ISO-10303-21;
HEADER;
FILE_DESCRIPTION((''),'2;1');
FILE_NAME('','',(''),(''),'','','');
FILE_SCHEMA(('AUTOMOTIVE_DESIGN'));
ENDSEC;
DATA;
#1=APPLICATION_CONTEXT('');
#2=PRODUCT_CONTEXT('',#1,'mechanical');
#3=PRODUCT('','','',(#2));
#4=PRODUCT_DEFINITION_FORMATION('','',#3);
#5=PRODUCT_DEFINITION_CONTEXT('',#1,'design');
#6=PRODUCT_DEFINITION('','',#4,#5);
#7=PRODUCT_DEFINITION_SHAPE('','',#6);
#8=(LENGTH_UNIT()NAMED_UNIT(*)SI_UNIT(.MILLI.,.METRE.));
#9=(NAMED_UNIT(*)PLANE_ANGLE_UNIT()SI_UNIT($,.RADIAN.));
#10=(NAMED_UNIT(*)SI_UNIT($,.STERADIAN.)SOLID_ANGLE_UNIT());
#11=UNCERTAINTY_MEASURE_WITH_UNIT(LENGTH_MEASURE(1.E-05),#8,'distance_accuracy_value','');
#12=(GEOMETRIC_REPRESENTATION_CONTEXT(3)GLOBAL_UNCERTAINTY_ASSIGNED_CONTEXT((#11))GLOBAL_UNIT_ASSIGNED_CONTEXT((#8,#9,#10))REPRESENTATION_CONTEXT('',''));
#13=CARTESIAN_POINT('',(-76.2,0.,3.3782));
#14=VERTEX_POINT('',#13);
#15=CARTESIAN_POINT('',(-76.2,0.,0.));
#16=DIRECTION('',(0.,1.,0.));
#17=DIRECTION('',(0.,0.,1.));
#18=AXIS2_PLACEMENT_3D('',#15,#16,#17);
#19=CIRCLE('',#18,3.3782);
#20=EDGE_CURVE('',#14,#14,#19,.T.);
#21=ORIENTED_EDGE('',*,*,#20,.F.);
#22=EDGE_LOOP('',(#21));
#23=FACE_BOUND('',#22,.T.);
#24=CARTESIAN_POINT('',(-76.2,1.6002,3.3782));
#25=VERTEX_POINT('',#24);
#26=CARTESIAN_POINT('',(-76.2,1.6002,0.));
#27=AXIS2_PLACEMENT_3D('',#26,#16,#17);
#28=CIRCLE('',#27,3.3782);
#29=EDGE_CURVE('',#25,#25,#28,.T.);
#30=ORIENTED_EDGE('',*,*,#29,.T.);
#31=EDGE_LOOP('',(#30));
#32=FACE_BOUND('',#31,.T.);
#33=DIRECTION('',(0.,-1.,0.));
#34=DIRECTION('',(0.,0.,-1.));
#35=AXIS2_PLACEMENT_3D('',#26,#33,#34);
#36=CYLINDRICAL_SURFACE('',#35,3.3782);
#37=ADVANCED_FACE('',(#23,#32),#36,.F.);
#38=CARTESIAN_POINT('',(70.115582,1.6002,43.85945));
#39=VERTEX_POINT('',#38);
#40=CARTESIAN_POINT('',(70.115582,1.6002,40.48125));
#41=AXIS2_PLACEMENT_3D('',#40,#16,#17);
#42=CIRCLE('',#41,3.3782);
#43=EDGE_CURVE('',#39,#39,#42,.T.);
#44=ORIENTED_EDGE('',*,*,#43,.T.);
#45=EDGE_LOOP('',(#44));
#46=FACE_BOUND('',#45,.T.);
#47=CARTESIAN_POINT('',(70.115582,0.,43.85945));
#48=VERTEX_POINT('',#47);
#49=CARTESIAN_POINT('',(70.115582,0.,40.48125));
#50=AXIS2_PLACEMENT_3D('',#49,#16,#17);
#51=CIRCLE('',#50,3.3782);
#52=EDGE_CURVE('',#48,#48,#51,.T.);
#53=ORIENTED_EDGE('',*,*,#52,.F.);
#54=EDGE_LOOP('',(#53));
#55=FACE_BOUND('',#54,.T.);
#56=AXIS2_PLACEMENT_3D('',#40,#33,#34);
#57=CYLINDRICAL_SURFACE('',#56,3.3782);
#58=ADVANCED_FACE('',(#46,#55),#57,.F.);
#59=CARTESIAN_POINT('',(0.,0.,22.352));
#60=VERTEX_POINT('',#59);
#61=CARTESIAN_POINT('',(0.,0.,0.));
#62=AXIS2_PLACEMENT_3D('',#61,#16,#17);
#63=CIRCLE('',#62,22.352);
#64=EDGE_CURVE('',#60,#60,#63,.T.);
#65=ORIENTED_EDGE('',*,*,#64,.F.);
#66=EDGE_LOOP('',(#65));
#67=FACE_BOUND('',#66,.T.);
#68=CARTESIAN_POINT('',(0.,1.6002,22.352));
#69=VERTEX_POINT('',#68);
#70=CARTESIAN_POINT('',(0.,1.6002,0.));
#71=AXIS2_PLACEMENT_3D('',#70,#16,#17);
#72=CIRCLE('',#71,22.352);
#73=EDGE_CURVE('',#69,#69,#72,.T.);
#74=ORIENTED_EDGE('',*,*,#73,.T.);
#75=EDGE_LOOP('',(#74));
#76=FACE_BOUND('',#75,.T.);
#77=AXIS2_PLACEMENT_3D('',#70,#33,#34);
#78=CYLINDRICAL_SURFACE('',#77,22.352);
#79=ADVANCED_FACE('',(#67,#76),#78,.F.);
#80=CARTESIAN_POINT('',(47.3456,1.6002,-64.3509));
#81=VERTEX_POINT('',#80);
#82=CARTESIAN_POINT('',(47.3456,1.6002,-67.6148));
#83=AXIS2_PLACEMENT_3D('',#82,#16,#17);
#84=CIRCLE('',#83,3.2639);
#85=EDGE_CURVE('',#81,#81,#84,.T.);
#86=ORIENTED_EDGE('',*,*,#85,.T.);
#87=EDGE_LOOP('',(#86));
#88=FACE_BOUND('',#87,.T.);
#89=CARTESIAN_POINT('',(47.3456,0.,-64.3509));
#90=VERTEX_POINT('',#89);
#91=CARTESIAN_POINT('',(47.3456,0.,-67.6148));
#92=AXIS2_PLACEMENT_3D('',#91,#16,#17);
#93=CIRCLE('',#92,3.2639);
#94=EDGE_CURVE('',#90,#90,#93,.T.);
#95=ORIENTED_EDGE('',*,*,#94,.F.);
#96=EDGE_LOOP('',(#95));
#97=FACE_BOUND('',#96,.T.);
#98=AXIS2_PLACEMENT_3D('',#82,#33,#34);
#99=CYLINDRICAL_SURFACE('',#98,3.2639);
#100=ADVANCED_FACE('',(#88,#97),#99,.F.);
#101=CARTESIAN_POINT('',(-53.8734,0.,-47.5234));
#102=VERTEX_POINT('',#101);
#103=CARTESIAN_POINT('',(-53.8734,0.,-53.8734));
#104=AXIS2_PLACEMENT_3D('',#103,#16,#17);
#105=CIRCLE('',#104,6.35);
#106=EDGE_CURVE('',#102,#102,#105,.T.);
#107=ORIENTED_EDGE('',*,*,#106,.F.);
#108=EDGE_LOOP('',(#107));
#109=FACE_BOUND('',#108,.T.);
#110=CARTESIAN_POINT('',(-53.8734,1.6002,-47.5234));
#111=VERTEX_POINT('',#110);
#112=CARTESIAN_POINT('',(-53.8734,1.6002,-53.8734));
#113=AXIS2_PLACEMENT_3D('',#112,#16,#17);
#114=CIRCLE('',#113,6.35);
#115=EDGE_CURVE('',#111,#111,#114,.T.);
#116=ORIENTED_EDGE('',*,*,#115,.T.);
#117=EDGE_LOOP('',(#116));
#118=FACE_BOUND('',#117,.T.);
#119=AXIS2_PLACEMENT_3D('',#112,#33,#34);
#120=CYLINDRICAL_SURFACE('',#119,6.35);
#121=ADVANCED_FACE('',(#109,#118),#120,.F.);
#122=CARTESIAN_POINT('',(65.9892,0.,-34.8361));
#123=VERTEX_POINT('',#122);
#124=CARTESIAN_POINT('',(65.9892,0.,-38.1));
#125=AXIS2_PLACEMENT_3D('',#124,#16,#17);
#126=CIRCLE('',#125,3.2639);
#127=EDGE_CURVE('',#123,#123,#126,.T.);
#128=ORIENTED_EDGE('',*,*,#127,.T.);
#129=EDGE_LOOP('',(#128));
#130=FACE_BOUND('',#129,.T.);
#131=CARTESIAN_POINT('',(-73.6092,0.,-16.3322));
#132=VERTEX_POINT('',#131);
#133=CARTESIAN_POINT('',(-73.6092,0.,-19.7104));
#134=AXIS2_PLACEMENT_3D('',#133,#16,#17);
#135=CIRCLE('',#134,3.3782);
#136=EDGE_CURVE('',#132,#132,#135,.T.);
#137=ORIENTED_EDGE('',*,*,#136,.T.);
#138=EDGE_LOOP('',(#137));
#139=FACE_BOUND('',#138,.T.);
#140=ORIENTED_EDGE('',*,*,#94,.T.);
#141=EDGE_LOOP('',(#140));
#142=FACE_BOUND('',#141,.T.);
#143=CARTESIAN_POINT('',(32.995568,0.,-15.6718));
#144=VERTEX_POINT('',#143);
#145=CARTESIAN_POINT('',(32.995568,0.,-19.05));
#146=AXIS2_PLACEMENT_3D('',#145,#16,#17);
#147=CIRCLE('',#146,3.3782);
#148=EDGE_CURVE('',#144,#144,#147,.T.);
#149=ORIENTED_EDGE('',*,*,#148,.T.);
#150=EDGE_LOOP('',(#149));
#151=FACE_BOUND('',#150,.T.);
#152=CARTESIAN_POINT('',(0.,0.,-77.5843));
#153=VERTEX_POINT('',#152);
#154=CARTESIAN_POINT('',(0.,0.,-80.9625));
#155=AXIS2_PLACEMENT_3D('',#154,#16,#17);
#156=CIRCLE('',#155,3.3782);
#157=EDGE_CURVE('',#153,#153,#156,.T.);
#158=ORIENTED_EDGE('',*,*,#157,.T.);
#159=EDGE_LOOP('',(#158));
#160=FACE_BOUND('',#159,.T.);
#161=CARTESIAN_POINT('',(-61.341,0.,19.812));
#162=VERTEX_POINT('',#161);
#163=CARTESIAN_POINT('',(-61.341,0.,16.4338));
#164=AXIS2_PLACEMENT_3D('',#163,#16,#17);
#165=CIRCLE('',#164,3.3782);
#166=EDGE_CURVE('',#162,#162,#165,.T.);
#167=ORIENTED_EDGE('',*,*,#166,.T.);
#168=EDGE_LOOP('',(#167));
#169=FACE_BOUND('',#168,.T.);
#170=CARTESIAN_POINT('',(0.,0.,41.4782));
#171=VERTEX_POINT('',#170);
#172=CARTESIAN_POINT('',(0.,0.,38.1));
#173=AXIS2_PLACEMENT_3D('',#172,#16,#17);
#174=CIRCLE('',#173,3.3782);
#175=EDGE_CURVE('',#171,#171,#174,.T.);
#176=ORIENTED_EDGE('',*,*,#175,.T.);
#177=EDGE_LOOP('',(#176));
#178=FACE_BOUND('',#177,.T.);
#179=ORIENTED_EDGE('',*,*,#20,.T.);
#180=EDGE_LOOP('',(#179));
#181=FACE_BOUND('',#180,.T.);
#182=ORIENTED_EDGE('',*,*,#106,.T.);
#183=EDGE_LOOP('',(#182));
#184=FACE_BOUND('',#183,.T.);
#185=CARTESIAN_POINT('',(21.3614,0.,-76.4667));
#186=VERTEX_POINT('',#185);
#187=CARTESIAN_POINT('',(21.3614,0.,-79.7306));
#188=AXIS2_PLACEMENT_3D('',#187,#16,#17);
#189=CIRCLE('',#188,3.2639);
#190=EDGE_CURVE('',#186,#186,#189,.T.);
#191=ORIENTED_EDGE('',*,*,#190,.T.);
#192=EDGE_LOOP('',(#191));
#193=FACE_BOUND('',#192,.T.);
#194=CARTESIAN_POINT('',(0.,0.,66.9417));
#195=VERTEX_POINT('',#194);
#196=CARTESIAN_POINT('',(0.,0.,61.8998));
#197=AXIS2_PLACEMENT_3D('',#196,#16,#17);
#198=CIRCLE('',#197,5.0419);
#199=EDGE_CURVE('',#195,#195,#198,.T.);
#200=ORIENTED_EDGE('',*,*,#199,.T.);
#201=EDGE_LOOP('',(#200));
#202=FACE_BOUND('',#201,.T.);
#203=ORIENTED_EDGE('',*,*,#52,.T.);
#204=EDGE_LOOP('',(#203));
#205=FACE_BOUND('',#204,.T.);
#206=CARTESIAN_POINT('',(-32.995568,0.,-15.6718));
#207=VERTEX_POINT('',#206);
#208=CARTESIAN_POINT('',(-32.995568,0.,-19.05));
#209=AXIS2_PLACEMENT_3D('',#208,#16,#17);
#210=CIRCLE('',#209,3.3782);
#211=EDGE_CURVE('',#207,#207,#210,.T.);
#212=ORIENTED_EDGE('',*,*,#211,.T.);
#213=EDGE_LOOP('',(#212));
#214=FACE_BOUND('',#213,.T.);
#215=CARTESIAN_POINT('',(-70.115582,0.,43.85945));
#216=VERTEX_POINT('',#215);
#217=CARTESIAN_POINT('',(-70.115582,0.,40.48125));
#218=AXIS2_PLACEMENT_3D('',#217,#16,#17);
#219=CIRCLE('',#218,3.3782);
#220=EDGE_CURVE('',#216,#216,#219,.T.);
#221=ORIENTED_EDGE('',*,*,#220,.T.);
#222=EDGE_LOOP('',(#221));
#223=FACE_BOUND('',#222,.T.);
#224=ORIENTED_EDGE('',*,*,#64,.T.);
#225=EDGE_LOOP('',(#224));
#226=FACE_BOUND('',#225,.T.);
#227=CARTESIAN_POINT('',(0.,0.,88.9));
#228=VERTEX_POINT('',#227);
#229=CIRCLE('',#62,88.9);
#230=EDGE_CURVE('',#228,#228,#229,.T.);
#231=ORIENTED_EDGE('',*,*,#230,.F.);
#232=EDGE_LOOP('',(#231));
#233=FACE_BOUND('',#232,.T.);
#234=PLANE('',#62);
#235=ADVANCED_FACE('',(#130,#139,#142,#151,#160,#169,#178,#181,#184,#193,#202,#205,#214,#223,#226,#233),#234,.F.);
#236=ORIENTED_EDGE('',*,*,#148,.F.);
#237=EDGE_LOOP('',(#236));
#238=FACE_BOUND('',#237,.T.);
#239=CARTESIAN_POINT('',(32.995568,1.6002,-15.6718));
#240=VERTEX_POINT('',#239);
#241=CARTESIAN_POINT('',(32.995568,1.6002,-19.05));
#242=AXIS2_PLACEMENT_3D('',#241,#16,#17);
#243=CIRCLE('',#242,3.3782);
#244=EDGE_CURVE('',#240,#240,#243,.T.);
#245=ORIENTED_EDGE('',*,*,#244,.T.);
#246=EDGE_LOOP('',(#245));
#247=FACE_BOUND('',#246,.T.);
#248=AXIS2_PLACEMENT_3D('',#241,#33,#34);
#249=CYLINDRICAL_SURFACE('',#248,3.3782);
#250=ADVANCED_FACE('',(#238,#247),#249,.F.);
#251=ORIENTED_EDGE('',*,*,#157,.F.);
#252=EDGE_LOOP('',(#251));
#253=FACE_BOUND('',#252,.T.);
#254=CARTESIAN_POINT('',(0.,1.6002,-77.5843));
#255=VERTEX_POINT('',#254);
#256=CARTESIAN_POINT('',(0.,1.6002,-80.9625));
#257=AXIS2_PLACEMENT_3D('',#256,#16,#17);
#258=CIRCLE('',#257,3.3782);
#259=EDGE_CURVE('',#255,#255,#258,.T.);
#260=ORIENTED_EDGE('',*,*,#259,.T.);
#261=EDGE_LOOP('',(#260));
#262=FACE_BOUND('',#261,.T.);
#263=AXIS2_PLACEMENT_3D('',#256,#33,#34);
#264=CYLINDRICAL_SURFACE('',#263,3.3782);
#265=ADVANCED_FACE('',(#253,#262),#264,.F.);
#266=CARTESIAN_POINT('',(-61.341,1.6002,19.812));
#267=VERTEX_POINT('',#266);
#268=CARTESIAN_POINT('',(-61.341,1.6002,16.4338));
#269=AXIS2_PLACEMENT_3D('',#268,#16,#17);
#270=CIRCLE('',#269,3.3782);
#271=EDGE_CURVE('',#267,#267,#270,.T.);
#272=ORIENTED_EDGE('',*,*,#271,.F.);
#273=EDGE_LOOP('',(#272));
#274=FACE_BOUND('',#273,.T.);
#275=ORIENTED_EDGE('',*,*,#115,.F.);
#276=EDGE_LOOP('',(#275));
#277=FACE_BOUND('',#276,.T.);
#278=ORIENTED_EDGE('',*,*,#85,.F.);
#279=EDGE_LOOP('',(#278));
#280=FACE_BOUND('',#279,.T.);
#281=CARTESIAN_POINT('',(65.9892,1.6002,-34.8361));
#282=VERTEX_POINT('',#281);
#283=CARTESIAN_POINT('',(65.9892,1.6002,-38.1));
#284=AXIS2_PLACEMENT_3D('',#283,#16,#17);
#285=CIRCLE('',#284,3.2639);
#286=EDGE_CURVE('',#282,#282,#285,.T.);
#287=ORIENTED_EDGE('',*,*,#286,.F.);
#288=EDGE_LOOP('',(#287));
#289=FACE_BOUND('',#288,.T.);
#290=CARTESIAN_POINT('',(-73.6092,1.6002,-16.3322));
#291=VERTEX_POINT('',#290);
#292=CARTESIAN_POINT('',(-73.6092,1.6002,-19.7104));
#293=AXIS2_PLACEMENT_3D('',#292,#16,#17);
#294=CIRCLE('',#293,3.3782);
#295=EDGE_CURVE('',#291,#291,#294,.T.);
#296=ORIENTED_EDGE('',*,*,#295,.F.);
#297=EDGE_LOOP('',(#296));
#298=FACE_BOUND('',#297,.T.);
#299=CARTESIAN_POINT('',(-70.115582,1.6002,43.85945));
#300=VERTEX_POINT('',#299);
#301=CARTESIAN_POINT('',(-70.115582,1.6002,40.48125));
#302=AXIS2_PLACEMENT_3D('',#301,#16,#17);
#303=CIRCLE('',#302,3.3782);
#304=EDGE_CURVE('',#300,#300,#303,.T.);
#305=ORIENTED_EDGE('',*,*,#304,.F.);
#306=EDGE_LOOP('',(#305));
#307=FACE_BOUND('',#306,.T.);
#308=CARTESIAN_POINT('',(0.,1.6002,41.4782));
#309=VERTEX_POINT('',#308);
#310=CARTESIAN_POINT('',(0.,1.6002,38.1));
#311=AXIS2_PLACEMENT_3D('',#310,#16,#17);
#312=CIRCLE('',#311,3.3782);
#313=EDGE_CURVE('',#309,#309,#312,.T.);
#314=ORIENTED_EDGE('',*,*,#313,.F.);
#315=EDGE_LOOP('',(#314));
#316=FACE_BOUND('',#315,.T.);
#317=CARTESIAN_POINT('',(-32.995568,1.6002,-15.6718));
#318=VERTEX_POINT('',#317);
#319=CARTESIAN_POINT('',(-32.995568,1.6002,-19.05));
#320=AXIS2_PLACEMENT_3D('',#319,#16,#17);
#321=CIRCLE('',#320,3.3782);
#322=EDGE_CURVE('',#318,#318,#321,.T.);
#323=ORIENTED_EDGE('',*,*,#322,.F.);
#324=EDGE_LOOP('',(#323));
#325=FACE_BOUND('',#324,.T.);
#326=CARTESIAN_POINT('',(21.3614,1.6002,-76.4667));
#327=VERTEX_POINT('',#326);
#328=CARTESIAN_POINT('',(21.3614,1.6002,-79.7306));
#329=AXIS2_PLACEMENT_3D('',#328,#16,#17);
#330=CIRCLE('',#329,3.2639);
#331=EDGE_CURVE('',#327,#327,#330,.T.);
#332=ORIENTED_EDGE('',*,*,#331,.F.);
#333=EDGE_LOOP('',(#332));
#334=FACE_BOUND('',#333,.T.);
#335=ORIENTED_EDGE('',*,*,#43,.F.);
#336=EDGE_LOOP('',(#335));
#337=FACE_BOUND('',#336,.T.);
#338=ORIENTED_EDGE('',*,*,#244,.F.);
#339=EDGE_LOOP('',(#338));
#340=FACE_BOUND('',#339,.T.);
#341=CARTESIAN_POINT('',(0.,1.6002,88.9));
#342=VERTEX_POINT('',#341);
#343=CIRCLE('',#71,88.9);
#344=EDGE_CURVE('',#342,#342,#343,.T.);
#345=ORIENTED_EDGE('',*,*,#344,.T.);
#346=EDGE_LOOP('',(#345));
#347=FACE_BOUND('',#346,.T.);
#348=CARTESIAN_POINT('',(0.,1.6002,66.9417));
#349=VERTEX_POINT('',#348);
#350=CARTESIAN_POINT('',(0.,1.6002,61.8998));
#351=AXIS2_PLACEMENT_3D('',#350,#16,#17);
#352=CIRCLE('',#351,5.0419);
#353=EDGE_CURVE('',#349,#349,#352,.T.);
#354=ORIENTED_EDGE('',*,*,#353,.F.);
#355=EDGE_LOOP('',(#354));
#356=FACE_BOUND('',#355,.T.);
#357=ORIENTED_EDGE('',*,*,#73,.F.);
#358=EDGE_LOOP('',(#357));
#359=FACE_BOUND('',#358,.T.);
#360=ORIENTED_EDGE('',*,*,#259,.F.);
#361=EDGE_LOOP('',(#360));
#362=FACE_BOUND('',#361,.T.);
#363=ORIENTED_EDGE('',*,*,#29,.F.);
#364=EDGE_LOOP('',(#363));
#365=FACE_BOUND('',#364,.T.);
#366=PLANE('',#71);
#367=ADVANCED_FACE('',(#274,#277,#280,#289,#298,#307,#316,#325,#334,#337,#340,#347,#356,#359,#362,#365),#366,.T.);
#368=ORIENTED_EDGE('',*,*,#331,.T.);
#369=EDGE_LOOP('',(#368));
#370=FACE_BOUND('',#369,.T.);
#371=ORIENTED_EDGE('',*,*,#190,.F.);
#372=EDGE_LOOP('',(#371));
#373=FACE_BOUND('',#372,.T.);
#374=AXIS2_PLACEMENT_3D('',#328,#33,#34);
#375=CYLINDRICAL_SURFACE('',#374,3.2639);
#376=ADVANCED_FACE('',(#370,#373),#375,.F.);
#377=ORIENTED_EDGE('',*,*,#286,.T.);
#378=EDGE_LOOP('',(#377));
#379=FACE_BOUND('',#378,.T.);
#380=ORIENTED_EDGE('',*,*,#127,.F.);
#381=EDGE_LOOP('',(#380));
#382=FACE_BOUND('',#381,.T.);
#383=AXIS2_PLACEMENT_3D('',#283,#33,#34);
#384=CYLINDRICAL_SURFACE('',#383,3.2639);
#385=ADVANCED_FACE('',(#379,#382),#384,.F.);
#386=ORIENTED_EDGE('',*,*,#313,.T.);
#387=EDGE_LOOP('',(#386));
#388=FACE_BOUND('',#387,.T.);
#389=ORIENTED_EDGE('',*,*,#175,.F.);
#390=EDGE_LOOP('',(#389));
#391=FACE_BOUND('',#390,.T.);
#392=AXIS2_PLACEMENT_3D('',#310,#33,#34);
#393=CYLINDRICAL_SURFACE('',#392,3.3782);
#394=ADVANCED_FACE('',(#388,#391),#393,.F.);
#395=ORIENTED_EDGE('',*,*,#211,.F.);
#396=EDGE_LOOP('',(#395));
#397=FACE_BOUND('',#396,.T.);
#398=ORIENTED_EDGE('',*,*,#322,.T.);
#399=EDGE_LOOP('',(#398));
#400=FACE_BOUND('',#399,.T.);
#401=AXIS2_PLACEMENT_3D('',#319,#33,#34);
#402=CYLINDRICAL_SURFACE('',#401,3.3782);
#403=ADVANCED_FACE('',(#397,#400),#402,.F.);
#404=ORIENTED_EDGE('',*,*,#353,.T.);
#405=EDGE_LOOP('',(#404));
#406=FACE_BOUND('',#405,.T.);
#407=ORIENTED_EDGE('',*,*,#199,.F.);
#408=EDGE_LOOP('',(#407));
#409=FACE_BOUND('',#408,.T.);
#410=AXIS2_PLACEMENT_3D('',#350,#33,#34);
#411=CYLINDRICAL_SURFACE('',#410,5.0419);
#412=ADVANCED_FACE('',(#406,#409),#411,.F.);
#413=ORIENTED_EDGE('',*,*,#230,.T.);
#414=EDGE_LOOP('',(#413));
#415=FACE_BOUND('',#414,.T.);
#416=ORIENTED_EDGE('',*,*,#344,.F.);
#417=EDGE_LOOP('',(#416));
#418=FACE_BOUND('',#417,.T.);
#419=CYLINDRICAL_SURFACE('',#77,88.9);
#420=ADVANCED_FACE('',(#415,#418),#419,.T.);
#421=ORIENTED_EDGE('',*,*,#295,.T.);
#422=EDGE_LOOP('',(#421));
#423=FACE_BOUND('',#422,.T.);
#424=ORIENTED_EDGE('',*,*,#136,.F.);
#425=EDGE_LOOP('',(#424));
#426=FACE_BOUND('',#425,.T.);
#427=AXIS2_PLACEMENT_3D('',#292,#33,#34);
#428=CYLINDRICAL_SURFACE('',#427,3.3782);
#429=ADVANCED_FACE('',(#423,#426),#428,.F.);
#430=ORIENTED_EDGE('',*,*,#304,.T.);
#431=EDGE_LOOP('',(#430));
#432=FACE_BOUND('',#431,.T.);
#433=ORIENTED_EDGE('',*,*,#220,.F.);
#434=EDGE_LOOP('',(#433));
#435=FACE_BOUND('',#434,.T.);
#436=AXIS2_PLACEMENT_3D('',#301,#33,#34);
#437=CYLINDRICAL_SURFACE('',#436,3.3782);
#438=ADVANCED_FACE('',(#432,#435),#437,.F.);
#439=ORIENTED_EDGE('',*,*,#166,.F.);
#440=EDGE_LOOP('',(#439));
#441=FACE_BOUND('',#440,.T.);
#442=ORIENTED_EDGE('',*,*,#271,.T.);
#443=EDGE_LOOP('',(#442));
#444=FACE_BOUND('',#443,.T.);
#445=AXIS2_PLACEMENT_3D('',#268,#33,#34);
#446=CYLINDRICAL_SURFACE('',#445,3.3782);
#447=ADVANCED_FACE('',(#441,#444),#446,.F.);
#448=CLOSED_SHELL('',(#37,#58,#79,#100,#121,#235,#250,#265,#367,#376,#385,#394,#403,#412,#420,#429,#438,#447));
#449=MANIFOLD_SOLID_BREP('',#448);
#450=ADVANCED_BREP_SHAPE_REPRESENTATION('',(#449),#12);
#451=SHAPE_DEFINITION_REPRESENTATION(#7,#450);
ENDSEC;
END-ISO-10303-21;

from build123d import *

# Parameters (mm, degrees)
SKETCH1_R           = 88.9
SKETCH1_R_2         = 22.352
SKETCH1_R_3         = 6.35
SKETCH1_R_4         = 5.0419
SKETCH1_R_5         = 3.3782
SKETCH1_R_6         = 3.2639
BOSS_EXTRUDE1_DEPTH = 1.6002


with BuildPart() as part:
    # Sketch1 → Boss-Extrude1 (new body)
    with BuildSketch(Plane(origin=(0, 0, 0), x_dir=(1, 0, 0), z_dir=(0, 1, 0))):
        with Locations(Location((0, 0, 0), (0, 0, 270))):
            Circle(SKETCH1_R)
        with Locations(Location((0, 0, 0), (0, 0, 270))):
            Circle(SKETCH1_R_2, mode=Mode.SUBTRACT)
        with Locations(Location((-53.8734, 53.8734, 0), (0, 0, 270))):
            Circle(SKETCH1_R_3, mode=Mode.SUBTRACT)
        with Locations(Location((0, -61.8998, 0), (0, 0, 270))):
            Circle(SKETCH1_R_4, mode=Mode.SUBTRACT)
        with Locations(Location((-61.341, -16.4338, 0), (0, 0, 270))):
            Circle(SKETCH1_R_5, mode=Mode.SUBTRACT)
        with Locations(Location((-76.2, 0, 0), (0, 0, 270))):
            Circle(SKETCH1_R_5, mode=Mode.SUBTRACT)
        with Locations(Location((-73.6092, 19.7104, 0), (0, 0, 270))):
            Circle(SKETCH1_R_5, mode=Mode.SUBTRACT)
        with Locations(Location((65.9892, 38.1, 0), (0, 0, 270))):
            Circle(SKETCH1_R_6, mode=Mode.SUBTRACT)
        with Locations(Location((47.3456, 67.6148, 0), (0, 0, 270))):
            Circle(SKETCH1_R_6, mode=Mode.SUBTRACT)
        with Locations(Location((21.3614, 79.7306, 0), (0, 0, 270))):
            Circle(SKETCH1_R_6, mode=Mode.SUBTRACT)
        with Locations(Location((0, 80.9625, 0), (0, 0, 270))):
            Circle(SKETCH1_R_5, mode=Mode.SUBTRACT)
        with Locations(Location((70.115581754, -40.48125, 0), (0, 0, 270))):
            Circle(SKETCH1_R_5, mode=Mode.SUBTRACT)
        with Locations(Location((-70.115581754, -40.48125, 0), (0, 0, 270))):
            Circle(SKETCH1_R_5, mode=Mode.SUBTRACT)
        with Locations(Location((0, -38.1, 0), (0, 0, 270))):
            Circle(SKETCH1_R_5, mode=Mode.SUBTRACT)
        with Locations(Location((-32.995567884, 19.05, 0), (0, 0, 270))):
            Circle(SKETCH1_R_5, mode=Mode.SUBTRACT)
        with Locations(Location((32.995567884, 19.05, 0), (0, 0, 270))):
            Circle(SKETCH1_R_5, mode=Mode.SUBTRACT)
    extrude(amount=BOSS_EXTRUDE1_DEPTH)


solid = part.part
